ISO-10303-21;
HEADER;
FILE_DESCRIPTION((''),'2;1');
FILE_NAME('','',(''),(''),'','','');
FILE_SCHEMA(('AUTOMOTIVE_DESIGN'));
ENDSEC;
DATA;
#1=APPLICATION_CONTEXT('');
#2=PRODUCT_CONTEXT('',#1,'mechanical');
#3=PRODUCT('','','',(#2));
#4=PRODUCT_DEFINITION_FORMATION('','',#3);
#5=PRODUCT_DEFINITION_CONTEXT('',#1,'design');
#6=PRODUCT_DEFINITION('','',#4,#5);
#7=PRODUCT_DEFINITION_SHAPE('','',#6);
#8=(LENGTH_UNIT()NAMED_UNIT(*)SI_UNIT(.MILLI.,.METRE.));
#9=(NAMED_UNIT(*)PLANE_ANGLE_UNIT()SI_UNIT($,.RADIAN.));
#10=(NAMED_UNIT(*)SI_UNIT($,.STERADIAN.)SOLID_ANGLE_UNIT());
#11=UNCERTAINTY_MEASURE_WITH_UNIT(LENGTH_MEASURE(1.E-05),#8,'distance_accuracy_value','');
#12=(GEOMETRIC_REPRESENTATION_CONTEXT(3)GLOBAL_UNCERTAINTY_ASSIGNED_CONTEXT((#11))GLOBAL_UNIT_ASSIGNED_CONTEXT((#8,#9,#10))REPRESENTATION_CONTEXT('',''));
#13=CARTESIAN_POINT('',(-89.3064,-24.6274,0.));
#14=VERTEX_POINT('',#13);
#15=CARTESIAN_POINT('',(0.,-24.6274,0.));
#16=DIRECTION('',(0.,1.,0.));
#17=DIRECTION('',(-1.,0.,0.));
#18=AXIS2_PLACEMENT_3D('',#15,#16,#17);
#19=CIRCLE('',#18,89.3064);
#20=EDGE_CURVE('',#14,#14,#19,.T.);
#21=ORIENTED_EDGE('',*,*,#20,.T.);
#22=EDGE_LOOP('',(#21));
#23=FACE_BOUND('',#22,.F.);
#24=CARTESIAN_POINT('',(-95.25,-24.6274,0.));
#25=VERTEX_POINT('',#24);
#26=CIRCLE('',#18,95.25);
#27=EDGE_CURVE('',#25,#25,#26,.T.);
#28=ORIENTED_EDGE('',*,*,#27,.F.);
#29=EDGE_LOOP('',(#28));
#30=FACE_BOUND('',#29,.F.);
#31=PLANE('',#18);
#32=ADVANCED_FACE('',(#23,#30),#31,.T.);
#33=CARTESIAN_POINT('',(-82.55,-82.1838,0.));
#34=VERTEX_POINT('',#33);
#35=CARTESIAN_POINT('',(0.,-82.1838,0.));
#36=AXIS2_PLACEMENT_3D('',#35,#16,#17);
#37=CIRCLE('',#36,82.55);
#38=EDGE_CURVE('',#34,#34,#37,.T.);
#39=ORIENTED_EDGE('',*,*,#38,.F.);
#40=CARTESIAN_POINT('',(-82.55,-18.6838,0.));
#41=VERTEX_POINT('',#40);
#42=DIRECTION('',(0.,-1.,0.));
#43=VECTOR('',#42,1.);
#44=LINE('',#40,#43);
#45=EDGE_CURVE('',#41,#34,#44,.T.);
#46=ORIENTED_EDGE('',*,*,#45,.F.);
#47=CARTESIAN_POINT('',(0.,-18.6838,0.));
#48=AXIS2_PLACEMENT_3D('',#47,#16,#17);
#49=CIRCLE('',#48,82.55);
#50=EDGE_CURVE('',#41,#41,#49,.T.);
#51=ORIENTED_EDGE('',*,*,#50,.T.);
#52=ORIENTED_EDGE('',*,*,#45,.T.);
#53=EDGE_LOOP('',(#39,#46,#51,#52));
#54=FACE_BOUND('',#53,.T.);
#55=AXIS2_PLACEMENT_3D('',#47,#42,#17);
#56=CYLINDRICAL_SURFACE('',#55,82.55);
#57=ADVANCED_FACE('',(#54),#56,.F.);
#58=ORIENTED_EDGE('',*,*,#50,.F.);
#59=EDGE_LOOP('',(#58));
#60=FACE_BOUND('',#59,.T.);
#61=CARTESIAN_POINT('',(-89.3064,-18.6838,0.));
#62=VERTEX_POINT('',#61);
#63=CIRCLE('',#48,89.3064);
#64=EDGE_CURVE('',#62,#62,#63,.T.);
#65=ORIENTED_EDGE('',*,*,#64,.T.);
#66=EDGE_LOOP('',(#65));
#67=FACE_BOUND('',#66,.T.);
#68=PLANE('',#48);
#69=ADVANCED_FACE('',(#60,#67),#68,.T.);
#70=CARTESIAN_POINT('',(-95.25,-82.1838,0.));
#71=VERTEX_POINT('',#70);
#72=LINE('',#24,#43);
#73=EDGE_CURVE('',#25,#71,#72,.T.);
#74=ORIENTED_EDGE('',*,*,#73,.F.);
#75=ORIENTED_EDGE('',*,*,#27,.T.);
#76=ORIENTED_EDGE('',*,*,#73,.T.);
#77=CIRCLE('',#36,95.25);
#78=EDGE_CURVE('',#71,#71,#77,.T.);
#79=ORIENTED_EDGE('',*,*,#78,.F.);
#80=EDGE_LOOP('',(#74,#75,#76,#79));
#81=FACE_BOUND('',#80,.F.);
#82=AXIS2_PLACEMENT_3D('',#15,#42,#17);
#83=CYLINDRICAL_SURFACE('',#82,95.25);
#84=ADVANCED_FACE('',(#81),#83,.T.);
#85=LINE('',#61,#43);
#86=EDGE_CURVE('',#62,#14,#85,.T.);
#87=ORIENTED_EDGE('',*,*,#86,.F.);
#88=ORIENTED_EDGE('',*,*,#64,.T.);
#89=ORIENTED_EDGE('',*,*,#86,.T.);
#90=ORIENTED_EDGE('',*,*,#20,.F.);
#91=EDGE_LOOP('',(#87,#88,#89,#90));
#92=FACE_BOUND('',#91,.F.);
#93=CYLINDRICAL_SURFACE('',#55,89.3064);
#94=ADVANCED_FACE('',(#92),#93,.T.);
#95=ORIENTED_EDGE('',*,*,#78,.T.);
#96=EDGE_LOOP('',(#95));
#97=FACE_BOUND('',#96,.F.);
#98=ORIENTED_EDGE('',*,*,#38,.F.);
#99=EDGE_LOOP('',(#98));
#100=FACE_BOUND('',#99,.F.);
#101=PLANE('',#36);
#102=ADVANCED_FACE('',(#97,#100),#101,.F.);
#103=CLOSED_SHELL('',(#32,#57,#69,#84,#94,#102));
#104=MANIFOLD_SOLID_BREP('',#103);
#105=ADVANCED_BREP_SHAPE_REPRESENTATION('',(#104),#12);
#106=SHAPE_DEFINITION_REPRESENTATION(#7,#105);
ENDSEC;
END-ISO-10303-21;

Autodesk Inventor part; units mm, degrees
ref_plane "YZ Plane" through (0, 0, 0) normal (1, 0, 0) x (0, 1, 0)
ref_plane "XZ Plane" through (0, 0, 0) normal (0, 1, 0) x (-1, 0, 0)
ref_plane "XY Plane" through (0, 0, 0) normal (0, 0, 1) x (1, 0, 0)
sketch "Sketch1" plane through (0, 0, 0) normal (0, 0, 1) x (1, 0, 0)
  arc A0 (-28.9184, -1.6435) -> (-32.3684, 5.7551) centre (-35.052, 0) ccw
  line L0 (-28.702, 47.5942) -> (-28.702, -124.4009) construction
  line L1 (-32.3684, 5.7551) -> (-88.9, 32.1162)
  line L2 (-28.9184, -1.6435) -> (-86.2301, -215.5338)
  line L3 (-46.4564, 12.3244) -> (-66.802, 12.3244)
  line L4 (-60.4508, -95.6256) -> (-54.1008, -95.6256)
  line L5 (-73.152, -5.9838) -> (-73.152, -131.1779)
  line L6 (-73.152, -131.1779) -> (-63.627, -131.1779)
  line L7 (58.5667, 38.1) -> (-194.088, 38.1) construction
  line L8 (-95.25, 6.7162) -> (-95.25, -5.9838)
  line L9 (-95.25, 6.7162) -> (-88.9, 6.7162)
  line L10 (-88.9, 6.7162) -> (-88.9, 32.1162)
  line L11 (-95.25, -5.9838) -> (-73.152, -5.9838)
  line L12 (-95.25, -5.9838) -> (-95.25, -18.6838)
  line L13 (-95.25, -18.6838) -> (-89.3064, -18.6838)
  line L14 (-89.3064, -18.6838) -> (-89.3064, -24.6274)
  line L15 (-89.3064, -24.6274) -> (-95.25, -24.6274)
  line L16 (-95.25, -24.6274) -> (-95.25, -82.1838)
  line L17 (-95.25, -82.1838) -> (-82.55, -82.1838)
  line L18 (-89.3064, -18.6838) -> (-82.55, -18.6838)
  line L19 (-82.55, -18.6838) -> (-82.55, -82.1838)
  line L20 (-95.25, -82.1838) -> (-101.6, -82.1838)
  line L21 (-66.802, 12.3244) -> (-66.802, -31.3838)
  line L22 (-66.802, -31.3838) -> (-60.4508, -95.6256)
  line L23 (-82.55, -178.1009) -> (-76.2, -178.1009)
  line L24 (-82.55, -82.1838) -> (-82.55, -178.1009)
  line L25 (-86.2301, -215.5338) -> (-89.4051, -215.5338)
  line L26 (-89.4051, -215.5338) -> (-101.6, -82.1838)
  line L27 (-69.977, -5.9838) -> (-69.977, -31.3838)
  line L28 (-69.977, -31.3838) -> (-73.152, -31.3838)
  line L29 (-69.977, -5.9838) -> (-66.802, -5.9838)
  line L30 (-101.6, -82.1838) -> (-28.702, -82.1838) construction
  line L31 (0, -210.5351) -> (0, 86.485) construction
  point P0 (0, 0)
  dimension "d0" = 12.7
  dimension "d1" = 28.702
  dimension "d3" = 15
  dimension "d4" = 6.35
  dimension "d9" = 38.1
  dimension "d11" = 12.7
  dimension "d13" = 95.25
  dimension "d14" = 6.35
  dimension "d15" = 25.4
  dimension "d17" = 12.7
  dimension "d18" = 5.9436
  dimension "d19" = 5.9436
  dimension "d20" = 12.7
  dimension "d22" = 107.95
  dimension "d23" = 63.5
  dimension "d25" = 25.4
  dimension "d26" = 6.35
  dimension "d27" = 133.35
  dimension "d28" = 3.175
  dimension "d29" = 101.6
  dimension "d30" = 6.35
  dimension "d31" = 25
  dimension "d32" = 44.45
  dimension "d33" = 3.175
  dimension "d34" = 20.3456
  dimension "d35" = 9.525
revolve "Revolution2" add sketch "Sketch1" angle 360 about axis through (0, -210.5351, 0) along (0, 1, 0) contours L17 L16 L15 L14 L18 L19
properties part number "aluminum_retainer" material "Aluminum 6061"
